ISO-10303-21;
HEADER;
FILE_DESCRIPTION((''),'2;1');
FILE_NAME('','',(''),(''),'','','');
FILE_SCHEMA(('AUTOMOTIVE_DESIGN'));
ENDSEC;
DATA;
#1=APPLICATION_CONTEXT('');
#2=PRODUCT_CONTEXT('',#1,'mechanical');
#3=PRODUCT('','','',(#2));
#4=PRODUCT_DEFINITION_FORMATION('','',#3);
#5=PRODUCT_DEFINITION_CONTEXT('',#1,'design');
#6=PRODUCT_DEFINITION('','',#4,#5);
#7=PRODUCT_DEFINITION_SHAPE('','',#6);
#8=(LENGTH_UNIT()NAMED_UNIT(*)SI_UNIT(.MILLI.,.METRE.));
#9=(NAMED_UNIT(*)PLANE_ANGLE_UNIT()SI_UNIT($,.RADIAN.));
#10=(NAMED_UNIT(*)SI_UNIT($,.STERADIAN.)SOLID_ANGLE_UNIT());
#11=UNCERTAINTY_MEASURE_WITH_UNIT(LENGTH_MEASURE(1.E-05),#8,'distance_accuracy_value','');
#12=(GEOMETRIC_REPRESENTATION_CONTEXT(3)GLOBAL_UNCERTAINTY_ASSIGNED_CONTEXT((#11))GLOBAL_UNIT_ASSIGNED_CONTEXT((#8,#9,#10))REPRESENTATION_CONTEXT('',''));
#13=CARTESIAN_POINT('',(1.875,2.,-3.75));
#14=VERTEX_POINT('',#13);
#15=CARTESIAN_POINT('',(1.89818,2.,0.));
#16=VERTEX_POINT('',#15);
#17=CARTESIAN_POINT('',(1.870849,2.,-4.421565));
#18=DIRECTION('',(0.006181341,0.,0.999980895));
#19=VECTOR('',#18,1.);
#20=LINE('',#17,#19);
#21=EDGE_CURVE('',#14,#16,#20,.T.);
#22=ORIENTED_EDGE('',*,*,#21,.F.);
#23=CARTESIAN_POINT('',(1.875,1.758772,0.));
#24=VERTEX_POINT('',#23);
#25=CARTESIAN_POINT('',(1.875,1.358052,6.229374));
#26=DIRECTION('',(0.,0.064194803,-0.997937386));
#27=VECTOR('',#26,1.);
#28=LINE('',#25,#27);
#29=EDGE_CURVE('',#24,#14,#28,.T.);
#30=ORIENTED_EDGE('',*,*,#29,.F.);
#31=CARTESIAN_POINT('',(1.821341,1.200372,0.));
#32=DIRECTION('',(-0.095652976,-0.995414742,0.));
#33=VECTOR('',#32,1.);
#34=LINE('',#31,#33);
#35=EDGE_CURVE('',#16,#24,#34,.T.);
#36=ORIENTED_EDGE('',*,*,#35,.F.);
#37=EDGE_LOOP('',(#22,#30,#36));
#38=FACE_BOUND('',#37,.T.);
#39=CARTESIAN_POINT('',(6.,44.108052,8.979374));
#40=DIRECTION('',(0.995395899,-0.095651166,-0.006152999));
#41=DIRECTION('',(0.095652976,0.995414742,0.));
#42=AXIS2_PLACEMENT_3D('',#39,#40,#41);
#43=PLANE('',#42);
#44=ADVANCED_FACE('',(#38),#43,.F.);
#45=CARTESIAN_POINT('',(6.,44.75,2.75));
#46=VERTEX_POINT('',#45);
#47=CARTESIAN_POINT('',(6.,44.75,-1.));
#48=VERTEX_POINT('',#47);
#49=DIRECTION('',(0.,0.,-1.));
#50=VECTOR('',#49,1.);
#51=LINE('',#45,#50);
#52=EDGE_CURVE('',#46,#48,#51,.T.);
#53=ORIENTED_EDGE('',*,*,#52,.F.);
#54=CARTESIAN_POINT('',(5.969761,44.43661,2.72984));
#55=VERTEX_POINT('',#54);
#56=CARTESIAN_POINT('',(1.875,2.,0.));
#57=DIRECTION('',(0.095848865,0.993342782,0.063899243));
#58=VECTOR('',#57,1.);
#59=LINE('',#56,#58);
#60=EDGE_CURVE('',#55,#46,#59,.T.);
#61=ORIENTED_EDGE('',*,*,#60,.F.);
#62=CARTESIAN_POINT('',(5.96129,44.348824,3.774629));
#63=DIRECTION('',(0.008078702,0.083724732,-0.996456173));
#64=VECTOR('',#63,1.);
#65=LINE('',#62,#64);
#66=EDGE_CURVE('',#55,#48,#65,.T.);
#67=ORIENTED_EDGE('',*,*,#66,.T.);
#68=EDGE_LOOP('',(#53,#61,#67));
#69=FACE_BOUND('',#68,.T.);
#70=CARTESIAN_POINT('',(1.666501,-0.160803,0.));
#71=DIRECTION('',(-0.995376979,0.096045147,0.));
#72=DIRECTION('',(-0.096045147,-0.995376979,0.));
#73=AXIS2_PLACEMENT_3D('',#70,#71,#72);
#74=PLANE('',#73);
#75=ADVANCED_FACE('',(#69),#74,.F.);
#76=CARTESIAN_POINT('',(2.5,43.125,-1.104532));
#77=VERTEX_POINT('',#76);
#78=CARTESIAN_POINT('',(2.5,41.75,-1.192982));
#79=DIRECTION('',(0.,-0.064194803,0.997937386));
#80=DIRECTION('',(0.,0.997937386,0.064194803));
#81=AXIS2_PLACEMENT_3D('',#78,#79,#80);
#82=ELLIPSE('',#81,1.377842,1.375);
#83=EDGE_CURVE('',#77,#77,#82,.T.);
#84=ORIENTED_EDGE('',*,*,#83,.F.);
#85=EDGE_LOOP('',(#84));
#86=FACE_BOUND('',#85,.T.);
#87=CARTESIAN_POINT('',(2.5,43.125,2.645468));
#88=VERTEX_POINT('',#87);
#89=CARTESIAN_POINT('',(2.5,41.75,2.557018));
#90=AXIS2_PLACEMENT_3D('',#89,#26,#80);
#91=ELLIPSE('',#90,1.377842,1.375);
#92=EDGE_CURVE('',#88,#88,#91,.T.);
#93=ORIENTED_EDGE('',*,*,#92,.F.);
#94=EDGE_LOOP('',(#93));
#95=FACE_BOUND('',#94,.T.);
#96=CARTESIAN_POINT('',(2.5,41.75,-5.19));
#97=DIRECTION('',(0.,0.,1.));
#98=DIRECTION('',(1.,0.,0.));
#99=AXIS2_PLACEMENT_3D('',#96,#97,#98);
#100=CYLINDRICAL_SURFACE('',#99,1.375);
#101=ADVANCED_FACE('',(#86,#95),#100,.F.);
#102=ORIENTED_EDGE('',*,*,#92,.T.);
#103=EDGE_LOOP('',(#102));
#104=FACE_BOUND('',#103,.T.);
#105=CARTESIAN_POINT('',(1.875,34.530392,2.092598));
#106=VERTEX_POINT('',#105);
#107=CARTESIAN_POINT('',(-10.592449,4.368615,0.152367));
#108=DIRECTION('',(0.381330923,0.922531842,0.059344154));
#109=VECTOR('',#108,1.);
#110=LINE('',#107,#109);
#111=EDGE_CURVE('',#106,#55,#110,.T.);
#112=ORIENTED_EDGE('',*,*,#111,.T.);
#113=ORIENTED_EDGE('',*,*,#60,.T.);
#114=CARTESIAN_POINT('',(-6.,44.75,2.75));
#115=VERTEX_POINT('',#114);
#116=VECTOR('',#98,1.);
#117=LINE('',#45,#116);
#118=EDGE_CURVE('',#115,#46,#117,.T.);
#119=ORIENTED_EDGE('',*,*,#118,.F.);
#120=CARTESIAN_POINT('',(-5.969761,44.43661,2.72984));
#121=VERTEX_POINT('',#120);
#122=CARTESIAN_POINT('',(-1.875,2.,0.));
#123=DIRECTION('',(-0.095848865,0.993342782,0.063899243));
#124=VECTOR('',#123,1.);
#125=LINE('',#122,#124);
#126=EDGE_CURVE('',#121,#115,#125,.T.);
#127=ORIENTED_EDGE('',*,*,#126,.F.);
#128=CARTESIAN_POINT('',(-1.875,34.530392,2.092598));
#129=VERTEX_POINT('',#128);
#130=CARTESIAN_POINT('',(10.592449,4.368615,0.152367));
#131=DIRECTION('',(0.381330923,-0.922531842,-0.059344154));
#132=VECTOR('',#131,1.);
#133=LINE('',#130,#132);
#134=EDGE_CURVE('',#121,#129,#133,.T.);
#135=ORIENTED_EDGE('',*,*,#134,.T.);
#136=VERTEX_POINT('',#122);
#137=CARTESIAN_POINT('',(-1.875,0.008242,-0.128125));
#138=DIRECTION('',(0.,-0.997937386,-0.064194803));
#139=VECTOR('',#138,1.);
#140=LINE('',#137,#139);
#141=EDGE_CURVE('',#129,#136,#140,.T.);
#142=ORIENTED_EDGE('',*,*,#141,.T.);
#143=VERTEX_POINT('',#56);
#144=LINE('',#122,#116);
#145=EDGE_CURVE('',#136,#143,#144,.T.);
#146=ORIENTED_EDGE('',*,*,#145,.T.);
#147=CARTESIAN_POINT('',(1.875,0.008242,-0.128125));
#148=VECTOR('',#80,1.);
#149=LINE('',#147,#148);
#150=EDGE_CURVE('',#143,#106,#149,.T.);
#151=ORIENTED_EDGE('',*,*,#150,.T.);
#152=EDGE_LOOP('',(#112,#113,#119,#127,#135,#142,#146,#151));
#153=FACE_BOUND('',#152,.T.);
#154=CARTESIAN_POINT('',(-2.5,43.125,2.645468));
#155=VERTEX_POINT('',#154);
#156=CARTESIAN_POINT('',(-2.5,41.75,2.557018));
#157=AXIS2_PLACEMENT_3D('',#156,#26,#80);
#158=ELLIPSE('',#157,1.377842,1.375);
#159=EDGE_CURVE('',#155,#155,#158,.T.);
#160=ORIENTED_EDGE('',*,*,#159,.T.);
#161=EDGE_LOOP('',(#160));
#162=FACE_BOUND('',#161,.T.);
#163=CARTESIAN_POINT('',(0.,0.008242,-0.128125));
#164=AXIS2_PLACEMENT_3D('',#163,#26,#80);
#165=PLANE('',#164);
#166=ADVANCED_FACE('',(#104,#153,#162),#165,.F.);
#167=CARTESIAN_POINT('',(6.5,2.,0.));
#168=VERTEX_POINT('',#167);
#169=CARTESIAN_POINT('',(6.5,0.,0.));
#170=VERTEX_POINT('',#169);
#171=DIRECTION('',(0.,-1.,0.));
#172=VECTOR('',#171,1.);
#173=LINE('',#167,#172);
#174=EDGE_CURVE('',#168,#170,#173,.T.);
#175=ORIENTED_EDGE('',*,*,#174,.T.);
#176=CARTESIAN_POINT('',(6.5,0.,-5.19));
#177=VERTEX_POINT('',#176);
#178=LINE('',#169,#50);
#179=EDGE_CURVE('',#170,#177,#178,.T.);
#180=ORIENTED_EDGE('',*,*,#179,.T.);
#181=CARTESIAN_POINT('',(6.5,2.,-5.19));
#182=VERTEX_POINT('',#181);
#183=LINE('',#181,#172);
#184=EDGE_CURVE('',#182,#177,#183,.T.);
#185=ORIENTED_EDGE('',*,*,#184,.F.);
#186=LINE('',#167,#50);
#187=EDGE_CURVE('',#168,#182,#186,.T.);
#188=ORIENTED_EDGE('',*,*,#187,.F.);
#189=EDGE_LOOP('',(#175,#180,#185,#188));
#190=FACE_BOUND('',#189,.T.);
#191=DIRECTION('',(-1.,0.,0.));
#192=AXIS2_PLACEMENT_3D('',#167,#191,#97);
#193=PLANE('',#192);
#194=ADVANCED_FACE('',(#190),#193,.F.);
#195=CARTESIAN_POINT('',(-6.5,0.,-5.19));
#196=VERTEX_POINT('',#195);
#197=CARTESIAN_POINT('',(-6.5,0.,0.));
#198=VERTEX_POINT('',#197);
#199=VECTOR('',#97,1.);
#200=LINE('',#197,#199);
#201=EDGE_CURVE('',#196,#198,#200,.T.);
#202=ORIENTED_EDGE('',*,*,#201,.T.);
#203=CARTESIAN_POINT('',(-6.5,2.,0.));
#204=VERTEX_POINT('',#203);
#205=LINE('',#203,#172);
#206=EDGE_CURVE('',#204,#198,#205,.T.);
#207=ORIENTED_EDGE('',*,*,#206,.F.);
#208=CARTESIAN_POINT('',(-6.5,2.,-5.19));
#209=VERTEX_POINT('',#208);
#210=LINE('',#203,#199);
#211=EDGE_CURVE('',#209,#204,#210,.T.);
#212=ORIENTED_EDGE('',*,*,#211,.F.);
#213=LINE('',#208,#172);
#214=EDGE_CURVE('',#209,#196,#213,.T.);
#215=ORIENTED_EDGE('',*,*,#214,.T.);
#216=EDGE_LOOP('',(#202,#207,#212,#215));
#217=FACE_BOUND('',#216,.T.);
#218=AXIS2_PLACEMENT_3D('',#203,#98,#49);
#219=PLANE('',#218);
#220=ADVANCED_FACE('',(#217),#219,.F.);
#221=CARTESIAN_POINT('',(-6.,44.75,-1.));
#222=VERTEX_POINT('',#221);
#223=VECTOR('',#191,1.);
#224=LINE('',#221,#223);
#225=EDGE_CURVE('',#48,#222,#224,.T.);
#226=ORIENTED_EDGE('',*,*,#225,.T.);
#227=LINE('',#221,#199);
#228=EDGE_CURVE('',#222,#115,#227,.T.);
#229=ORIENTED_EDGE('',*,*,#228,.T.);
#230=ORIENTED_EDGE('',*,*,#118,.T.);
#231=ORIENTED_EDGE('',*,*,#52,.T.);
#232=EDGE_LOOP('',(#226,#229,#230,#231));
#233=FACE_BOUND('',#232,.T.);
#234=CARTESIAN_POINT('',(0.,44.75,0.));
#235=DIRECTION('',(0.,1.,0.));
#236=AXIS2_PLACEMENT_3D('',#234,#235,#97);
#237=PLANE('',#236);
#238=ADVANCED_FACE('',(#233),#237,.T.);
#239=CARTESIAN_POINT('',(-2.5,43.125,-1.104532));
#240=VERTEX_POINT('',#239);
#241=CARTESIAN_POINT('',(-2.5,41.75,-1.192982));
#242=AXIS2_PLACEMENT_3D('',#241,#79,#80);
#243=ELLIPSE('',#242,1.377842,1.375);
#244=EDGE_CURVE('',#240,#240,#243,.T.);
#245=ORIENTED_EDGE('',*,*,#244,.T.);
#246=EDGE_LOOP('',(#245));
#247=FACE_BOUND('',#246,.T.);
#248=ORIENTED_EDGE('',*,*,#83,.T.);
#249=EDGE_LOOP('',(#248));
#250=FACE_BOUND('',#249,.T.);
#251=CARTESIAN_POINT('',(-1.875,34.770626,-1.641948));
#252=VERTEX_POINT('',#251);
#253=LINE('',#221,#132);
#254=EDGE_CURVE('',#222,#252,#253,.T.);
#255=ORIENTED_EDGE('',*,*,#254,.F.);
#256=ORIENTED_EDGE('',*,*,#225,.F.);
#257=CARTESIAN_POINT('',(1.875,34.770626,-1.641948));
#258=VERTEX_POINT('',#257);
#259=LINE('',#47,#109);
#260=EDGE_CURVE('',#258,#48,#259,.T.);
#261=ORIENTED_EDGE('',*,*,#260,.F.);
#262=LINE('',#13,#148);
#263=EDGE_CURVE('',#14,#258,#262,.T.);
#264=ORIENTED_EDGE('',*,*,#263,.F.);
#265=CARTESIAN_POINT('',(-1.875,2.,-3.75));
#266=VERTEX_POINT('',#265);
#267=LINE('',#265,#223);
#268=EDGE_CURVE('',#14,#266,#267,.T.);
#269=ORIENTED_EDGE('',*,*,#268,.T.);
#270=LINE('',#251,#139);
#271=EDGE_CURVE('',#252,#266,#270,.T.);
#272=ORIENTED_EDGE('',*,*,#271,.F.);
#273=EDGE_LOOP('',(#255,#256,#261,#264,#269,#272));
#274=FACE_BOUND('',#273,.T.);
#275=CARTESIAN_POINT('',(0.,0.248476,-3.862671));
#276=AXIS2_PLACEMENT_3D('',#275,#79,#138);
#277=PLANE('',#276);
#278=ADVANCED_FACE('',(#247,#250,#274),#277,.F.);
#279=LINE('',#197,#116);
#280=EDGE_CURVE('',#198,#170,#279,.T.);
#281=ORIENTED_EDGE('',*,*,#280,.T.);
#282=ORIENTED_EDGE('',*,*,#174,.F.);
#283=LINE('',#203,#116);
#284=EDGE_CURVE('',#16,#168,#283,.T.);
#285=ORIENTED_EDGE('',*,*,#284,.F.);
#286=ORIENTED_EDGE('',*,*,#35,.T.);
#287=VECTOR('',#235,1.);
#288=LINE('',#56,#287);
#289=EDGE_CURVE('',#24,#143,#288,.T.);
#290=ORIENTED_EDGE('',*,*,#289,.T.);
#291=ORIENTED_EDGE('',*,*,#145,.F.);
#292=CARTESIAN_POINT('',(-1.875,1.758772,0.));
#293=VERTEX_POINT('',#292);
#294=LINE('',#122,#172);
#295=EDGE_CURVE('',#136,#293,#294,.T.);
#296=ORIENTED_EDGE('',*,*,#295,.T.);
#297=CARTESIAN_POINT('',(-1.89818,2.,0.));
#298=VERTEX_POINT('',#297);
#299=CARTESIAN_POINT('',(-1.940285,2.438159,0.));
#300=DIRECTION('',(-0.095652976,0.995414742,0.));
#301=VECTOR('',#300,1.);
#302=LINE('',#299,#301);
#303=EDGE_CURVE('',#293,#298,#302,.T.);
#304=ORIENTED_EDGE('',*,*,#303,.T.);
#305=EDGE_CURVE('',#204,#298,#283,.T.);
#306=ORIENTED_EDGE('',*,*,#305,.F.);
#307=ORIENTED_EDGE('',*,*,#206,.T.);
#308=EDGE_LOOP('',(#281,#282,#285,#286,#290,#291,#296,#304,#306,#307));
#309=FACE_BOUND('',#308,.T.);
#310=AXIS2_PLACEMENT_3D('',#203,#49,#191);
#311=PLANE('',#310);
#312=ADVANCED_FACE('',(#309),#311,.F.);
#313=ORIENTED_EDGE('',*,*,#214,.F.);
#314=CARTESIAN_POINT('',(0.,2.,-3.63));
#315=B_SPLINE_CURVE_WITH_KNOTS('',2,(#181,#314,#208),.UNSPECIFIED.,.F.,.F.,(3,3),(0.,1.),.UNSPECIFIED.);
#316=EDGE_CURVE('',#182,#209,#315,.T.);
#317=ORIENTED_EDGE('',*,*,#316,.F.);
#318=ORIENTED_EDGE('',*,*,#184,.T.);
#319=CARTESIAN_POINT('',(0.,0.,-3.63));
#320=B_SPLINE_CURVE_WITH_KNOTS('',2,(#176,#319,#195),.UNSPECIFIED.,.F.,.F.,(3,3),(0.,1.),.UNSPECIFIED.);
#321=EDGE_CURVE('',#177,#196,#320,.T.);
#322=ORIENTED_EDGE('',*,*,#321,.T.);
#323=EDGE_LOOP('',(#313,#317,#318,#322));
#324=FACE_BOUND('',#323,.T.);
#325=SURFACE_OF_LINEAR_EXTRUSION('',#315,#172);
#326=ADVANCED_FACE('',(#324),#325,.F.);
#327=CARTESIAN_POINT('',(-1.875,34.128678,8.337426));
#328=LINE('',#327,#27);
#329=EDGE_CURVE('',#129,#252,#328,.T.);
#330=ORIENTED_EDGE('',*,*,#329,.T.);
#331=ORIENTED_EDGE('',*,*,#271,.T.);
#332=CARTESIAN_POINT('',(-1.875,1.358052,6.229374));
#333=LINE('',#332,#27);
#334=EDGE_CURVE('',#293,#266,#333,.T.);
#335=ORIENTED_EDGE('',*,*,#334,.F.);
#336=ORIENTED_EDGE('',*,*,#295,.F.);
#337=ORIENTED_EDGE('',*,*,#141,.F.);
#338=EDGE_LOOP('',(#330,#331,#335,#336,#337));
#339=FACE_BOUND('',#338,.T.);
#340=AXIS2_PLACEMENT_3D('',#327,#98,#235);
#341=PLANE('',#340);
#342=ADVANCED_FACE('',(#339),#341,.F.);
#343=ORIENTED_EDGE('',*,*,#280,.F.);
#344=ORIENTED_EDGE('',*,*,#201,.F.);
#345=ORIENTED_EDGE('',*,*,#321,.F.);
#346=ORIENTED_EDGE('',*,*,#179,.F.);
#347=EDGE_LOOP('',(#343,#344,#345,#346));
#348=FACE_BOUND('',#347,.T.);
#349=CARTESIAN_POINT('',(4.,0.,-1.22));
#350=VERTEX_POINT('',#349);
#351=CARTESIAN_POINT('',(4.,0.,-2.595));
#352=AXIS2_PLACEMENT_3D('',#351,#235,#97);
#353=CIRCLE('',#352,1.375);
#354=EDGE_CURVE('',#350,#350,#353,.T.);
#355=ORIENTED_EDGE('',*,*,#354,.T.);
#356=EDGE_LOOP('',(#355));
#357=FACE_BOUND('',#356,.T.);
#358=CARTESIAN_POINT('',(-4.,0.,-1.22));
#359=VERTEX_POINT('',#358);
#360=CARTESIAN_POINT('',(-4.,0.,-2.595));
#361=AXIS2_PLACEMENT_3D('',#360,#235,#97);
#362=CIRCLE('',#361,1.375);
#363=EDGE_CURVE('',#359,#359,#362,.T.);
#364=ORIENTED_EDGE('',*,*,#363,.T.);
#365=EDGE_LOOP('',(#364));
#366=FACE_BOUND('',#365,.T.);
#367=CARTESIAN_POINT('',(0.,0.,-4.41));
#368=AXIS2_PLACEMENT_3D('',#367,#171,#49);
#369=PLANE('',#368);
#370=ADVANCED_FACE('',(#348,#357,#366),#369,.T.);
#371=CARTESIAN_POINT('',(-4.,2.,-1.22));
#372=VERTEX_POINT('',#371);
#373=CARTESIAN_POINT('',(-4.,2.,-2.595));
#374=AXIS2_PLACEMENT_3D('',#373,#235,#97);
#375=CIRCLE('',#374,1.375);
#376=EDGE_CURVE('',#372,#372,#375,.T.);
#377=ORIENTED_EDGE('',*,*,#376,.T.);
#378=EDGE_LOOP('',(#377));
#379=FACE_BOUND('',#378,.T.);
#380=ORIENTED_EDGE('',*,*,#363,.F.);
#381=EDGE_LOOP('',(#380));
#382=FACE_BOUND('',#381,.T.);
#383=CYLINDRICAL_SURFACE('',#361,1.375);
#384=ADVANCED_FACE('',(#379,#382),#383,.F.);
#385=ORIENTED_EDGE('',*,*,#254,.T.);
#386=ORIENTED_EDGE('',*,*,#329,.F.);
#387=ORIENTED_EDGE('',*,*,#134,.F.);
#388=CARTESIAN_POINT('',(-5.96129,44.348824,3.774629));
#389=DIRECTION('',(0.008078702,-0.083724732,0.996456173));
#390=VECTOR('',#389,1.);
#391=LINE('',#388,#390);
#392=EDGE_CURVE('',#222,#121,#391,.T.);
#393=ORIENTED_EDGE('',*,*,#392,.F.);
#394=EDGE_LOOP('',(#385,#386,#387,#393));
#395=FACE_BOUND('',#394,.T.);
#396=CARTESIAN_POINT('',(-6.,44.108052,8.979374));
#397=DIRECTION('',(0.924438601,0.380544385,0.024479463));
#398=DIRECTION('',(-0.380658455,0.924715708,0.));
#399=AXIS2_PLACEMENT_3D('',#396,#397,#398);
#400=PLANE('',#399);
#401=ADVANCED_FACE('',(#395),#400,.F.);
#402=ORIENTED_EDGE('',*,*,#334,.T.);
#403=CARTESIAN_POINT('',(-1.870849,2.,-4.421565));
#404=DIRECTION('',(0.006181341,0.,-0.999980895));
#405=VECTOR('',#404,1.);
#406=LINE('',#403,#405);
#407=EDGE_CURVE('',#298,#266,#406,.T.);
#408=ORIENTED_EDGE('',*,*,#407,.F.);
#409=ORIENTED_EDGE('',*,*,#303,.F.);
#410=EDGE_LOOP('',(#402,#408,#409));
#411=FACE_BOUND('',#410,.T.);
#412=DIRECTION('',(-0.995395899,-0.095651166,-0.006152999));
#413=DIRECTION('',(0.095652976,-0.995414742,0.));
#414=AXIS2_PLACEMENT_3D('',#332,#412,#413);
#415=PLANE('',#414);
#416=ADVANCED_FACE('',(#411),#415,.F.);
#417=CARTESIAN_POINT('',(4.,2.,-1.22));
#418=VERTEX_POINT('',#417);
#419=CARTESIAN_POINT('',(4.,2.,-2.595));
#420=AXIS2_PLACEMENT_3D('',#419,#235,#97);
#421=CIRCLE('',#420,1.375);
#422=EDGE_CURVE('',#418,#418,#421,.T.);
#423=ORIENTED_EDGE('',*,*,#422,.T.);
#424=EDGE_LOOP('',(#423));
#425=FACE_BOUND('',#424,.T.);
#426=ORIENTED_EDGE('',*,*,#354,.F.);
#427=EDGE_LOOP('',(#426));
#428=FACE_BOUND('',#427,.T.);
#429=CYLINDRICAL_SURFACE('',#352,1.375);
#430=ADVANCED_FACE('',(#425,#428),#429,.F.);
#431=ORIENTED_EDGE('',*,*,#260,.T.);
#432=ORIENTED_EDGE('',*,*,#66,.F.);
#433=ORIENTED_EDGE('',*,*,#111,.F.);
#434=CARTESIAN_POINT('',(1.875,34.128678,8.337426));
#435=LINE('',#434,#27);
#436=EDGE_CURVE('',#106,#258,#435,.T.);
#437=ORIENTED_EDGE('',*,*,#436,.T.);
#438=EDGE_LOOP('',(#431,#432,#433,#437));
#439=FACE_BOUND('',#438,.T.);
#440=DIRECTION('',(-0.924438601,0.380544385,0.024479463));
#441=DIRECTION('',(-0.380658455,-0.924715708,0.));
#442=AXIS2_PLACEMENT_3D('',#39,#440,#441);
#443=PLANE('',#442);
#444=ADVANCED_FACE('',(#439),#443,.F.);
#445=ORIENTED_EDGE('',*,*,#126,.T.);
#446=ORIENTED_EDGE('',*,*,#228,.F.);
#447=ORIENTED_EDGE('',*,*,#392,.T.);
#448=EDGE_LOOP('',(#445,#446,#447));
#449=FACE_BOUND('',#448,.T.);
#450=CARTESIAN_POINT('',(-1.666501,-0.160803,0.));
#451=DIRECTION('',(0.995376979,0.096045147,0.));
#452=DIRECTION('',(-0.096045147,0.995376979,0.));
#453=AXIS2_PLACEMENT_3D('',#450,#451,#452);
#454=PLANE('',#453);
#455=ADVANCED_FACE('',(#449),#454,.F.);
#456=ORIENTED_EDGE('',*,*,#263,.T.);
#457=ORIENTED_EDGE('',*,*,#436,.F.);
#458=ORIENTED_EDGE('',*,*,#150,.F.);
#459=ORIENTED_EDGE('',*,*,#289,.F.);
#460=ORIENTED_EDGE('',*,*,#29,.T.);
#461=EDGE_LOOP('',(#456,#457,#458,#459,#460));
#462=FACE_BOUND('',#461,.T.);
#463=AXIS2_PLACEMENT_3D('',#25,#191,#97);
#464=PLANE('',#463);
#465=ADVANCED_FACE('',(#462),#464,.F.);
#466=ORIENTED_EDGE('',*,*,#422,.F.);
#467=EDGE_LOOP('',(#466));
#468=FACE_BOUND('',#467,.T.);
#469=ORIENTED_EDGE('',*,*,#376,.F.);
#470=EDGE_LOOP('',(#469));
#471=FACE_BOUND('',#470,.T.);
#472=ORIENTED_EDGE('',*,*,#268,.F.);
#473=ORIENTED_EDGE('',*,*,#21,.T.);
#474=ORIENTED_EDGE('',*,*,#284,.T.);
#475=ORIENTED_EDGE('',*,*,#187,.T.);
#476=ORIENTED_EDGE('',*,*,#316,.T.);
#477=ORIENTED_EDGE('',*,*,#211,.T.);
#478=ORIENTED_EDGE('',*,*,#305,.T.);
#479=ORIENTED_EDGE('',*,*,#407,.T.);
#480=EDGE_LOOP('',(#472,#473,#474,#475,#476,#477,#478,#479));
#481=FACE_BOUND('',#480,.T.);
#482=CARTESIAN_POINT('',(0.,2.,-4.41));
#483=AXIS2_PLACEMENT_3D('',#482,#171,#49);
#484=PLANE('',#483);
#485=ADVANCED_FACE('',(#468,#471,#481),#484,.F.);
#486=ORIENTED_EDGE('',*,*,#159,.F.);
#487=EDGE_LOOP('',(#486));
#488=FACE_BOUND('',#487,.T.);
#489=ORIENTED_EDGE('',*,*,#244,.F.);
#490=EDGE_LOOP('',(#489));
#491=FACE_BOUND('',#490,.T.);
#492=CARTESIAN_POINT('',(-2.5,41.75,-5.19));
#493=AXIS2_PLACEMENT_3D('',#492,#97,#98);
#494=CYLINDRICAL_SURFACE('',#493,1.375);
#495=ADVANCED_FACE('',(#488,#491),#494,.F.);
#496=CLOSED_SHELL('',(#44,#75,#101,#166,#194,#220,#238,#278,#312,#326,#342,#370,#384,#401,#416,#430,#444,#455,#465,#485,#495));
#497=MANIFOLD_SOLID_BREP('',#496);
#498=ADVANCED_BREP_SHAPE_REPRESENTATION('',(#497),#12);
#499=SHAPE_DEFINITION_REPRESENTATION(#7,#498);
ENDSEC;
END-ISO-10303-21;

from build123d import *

# Parameters (mm, degrees)
BOSS_EXTRUDE1_DEPTH     = 2
SKETCH2_R               = 1.375
CUT_EXTRUDE1_DEPTH      = 2
CUT_EXTRUDE5_DEPTH      = 10
CUT_EXTRUDE3_DEPTH      = 46.516465277
CUT_EXTRUDE3_DEPTH_BACK = 46.516465277
SKETCH12_R              = 1.375


with BuildPart() as part:
    # Sketch1 → Boss-Extrude1 (new body)
    with BuildSketch(Plane(origin=(0, 0, 0), x_dir=(1, 0, 0), z_dir=(0, 1, 0))):
        with BuildLine():
            Line((-6.5, 0), (6.5, 0))
            Line((6.5, 0), (6.5, 5.19))
            add(Edge.make_bspline(
                [(-6.5, 5.19), (0, 3.63), (6.5, 5.19)],
                knots=[0, 0, 0, 1, 1, 1], degree=2))
            Line((-6.5, 5.19), (-6.5, 0))
        make_face()
    extrude(amount=BOSS_EXTRUDE1_DEPTH)

    # Sketch2 → Cut-Extrude1 (cut)
    with BuildSketch(Plane(origin=(0, 2, 0), x_dir=(1, 0, 0), z_dir=(0, 1, 0))):
        with Locations(Location((-4, 2.595, 0), (0, 0, 270))):
            Circle(SKETCH2_R)
        with Locations(Location((4, 2.595, 0), (0, 0, 270))):
            Circle(SKETCH2_R)
    extrude(amount=-CUT_EXTRUDE1_DEPTH, mode=Mode.SUBTRACT)

    # Sketch4 → Loft2 section 0
    with BuildSketch(Plane(origin=(0, 2, 0), x_dir=(1, 0, 0), z_dir=(0, 1, 0))):
        with BuildLine():
            Line((-1.875, 3.75), (1.875, 3.75))
            Line((1.875, 3.75), (1.875, 0))
            Line((1.875, 0), (-1.875, 0))
            Line((-1.875, 0), (-1.875, 3.75))
        make_face()
    # Sketch6 → Loft2 section 1
    with BuildSketch(Plane(origin=(0, 44.75, 0), x_dir=(1, 0, 0), z_dir=(0, 1, 0))):
        with BuildLine():
            Line((-6, 1), (6, 1))
            Line((6, 1), (6, -2.75))
            Line((6, -2.75), (-6, -2.75))
            Line((-6, -2.75), (-6, 1))
        make_face()
    loft()

    # Sketch16 → Cut-Extrude5 (cut)
    with BuildSketch(Plane(origin=(0, 0.248475921, -3.86267114), x_dir=(-1, 0, 0), z_dir=(0, 0.06419480263840949, -0.9979373864698206))):
        Polygon((-1.875, 1.755144263), (-1.875, 34.593503242), (-6, 44.593503242), align=None)
        Polygon((1.875, 34.593503242), (1.875, 1.755144263), (6, 44.593503242), align=None)
    extrude(amount=-CUT_EXTRUDE5_DEPTH, mode=Mode.SUBTRACT)

    # Sketch12 → Cut-Extrude3 (cut, two sides: drawn at the far end of the back side and taken through both)
    with BuildSketch(Plane.XY.offset(-CUT_EXTRUDE3_DEPTH_BACK)):
        with Locations(Location((-2.5, 41.75, 0), (0, 0, 90))):
            Circle(SKETCH12_R)
        with Locations(Location((2.5, 41.75, 0), (0, 0, 90))):
            Circle(SKETCH12_R)
    extrude(amount=CUT_EXTRUDE3_DEPTH + CUT_EXTRUDE3_DEPTH_BACK, mode=Mode.SUBTRACT)


solid = part.part
